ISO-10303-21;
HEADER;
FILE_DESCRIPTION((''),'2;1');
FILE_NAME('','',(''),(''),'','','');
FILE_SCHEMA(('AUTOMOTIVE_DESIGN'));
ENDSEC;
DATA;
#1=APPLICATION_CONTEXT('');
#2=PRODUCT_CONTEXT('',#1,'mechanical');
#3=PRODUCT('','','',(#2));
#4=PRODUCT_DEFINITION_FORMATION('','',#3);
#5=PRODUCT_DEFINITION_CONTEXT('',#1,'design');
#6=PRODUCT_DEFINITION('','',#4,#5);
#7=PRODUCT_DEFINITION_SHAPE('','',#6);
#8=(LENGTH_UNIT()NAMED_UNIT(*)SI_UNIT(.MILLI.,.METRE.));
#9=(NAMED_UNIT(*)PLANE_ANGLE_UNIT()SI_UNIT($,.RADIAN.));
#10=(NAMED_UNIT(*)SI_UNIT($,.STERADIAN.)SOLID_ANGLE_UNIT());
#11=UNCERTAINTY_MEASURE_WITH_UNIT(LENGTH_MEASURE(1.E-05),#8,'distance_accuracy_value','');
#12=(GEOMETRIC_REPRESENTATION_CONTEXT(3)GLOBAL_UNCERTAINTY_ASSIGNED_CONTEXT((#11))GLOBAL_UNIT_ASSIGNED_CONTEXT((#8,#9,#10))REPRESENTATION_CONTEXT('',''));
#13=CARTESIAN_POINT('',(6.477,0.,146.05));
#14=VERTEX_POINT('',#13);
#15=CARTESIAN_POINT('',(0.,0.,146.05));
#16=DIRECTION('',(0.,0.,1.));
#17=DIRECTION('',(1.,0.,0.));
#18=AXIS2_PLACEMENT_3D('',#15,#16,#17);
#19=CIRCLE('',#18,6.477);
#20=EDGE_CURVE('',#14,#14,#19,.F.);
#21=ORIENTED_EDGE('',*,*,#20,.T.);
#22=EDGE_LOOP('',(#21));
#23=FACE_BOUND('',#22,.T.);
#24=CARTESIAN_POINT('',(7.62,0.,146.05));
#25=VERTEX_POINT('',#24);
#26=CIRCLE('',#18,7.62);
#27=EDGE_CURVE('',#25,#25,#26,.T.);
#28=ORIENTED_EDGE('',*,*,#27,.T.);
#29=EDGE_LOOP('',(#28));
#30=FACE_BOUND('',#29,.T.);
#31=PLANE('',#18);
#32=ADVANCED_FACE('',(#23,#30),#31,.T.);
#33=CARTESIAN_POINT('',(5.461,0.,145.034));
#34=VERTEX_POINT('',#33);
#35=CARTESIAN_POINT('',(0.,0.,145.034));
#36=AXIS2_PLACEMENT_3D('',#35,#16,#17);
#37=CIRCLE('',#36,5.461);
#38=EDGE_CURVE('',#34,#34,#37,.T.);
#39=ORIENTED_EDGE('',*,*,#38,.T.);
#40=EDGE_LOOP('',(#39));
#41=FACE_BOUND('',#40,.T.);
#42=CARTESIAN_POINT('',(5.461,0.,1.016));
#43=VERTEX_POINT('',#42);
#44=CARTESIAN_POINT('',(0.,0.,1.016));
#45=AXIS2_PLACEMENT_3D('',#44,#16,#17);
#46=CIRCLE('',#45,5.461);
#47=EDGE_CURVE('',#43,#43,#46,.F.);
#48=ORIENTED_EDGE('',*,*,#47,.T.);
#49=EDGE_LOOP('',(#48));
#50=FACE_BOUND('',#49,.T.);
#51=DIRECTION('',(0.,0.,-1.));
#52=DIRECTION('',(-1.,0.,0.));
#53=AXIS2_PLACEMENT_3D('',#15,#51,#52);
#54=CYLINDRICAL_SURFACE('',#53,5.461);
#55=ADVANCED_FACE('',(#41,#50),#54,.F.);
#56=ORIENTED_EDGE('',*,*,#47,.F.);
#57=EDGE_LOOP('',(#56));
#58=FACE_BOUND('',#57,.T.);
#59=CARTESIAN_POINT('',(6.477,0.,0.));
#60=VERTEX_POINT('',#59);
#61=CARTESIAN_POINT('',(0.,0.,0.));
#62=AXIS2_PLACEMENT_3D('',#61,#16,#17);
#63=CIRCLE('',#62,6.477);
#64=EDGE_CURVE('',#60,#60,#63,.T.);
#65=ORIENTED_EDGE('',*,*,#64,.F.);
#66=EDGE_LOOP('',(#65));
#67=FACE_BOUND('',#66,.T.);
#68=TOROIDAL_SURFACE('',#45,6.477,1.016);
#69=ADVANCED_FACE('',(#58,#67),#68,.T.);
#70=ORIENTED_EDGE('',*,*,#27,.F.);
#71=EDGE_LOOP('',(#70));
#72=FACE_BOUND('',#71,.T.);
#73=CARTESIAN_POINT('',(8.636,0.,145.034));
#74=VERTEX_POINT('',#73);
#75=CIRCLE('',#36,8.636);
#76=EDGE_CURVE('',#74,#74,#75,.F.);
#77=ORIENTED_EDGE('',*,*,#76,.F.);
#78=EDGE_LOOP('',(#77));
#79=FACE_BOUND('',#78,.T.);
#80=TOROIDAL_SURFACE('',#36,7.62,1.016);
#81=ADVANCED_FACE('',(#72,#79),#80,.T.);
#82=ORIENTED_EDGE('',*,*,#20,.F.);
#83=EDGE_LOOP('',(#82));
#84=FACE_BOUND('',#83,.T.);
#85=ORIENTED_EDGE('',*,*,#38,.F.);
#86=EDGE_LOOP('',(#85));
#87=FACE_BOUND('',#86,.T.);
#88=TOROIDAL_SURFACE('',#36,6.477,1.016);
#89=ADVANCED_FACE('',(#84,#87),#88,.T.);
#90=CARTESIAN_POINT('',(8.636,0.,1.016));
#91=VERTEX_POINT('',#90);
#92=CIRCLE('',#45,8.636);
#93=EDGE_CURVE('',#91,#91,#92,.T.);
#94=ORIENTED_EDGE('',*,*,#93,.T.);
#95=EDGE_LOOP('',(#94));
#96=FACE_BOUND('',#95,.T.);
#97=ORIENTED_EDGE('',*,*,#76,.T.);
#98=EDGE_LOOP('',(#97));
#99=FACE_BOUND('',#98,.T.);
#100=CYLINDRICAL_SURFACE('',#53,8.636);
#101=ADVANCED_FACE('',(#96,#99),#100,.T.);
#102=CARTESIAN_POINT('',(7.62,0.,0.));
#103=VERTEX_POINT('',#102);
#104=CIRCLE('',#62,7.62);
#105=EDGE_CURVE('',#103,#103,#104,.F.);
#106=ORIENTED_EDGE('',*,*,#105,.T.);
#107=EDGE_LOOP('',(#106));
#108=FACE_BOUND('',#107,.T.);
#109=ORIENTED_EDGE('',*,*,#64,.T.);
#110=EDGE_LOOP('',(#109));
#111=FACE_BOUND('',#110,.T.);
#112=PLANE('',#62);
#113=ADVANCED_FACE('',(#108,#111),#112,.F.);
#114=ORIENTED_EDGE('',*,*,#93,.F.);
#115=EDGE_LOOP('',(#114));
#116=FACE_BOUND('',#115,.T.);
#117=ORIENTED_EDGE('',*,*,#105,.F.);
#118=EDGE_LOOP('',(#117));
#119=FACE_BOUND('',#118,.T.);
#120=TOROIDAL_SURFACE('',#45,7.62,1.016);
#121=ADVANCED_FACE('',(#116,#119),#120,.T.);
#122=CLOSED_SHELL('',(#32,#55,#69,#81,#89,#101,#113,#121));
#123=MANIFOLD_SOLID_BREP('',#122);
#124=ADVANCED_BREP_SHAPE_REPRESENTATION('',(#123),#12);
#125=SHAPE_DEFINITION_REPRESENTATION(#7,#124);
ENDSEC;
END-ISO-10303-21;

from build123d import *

# Parameters (mm, degrees)
SKETCH2_R           = 8.636
SKETCH2_R_2         = 5.461
BOSS_EXTRUDE1_DEPTH = 146.05
FILLET1_R           = 1.016


with BuildPart() as part:
    # Sketch2 → Boss-Extrude1 (new body)
    with BuildSketch(Plane.XY):
        Circle(SKETCH2_R)
        Circle(SKETCH2_R_2, mode=Mode.SUBTRACT)
    extrude(amount=BOSS_EXTRUDE1_DEPTH)

    # Fillet1
    fillet1_edges = [part.edges().sort_by_distance(p)[0] for p in [
        (-8.636, 0, 0),
        (-8.636, 0, 146.05),
        (-5.461, 0, 0),
        (-5.461, 0, 146.05),
    ]]
    fillet(fillet1_edges, radius=FILLET1_R)


solid = part.part
